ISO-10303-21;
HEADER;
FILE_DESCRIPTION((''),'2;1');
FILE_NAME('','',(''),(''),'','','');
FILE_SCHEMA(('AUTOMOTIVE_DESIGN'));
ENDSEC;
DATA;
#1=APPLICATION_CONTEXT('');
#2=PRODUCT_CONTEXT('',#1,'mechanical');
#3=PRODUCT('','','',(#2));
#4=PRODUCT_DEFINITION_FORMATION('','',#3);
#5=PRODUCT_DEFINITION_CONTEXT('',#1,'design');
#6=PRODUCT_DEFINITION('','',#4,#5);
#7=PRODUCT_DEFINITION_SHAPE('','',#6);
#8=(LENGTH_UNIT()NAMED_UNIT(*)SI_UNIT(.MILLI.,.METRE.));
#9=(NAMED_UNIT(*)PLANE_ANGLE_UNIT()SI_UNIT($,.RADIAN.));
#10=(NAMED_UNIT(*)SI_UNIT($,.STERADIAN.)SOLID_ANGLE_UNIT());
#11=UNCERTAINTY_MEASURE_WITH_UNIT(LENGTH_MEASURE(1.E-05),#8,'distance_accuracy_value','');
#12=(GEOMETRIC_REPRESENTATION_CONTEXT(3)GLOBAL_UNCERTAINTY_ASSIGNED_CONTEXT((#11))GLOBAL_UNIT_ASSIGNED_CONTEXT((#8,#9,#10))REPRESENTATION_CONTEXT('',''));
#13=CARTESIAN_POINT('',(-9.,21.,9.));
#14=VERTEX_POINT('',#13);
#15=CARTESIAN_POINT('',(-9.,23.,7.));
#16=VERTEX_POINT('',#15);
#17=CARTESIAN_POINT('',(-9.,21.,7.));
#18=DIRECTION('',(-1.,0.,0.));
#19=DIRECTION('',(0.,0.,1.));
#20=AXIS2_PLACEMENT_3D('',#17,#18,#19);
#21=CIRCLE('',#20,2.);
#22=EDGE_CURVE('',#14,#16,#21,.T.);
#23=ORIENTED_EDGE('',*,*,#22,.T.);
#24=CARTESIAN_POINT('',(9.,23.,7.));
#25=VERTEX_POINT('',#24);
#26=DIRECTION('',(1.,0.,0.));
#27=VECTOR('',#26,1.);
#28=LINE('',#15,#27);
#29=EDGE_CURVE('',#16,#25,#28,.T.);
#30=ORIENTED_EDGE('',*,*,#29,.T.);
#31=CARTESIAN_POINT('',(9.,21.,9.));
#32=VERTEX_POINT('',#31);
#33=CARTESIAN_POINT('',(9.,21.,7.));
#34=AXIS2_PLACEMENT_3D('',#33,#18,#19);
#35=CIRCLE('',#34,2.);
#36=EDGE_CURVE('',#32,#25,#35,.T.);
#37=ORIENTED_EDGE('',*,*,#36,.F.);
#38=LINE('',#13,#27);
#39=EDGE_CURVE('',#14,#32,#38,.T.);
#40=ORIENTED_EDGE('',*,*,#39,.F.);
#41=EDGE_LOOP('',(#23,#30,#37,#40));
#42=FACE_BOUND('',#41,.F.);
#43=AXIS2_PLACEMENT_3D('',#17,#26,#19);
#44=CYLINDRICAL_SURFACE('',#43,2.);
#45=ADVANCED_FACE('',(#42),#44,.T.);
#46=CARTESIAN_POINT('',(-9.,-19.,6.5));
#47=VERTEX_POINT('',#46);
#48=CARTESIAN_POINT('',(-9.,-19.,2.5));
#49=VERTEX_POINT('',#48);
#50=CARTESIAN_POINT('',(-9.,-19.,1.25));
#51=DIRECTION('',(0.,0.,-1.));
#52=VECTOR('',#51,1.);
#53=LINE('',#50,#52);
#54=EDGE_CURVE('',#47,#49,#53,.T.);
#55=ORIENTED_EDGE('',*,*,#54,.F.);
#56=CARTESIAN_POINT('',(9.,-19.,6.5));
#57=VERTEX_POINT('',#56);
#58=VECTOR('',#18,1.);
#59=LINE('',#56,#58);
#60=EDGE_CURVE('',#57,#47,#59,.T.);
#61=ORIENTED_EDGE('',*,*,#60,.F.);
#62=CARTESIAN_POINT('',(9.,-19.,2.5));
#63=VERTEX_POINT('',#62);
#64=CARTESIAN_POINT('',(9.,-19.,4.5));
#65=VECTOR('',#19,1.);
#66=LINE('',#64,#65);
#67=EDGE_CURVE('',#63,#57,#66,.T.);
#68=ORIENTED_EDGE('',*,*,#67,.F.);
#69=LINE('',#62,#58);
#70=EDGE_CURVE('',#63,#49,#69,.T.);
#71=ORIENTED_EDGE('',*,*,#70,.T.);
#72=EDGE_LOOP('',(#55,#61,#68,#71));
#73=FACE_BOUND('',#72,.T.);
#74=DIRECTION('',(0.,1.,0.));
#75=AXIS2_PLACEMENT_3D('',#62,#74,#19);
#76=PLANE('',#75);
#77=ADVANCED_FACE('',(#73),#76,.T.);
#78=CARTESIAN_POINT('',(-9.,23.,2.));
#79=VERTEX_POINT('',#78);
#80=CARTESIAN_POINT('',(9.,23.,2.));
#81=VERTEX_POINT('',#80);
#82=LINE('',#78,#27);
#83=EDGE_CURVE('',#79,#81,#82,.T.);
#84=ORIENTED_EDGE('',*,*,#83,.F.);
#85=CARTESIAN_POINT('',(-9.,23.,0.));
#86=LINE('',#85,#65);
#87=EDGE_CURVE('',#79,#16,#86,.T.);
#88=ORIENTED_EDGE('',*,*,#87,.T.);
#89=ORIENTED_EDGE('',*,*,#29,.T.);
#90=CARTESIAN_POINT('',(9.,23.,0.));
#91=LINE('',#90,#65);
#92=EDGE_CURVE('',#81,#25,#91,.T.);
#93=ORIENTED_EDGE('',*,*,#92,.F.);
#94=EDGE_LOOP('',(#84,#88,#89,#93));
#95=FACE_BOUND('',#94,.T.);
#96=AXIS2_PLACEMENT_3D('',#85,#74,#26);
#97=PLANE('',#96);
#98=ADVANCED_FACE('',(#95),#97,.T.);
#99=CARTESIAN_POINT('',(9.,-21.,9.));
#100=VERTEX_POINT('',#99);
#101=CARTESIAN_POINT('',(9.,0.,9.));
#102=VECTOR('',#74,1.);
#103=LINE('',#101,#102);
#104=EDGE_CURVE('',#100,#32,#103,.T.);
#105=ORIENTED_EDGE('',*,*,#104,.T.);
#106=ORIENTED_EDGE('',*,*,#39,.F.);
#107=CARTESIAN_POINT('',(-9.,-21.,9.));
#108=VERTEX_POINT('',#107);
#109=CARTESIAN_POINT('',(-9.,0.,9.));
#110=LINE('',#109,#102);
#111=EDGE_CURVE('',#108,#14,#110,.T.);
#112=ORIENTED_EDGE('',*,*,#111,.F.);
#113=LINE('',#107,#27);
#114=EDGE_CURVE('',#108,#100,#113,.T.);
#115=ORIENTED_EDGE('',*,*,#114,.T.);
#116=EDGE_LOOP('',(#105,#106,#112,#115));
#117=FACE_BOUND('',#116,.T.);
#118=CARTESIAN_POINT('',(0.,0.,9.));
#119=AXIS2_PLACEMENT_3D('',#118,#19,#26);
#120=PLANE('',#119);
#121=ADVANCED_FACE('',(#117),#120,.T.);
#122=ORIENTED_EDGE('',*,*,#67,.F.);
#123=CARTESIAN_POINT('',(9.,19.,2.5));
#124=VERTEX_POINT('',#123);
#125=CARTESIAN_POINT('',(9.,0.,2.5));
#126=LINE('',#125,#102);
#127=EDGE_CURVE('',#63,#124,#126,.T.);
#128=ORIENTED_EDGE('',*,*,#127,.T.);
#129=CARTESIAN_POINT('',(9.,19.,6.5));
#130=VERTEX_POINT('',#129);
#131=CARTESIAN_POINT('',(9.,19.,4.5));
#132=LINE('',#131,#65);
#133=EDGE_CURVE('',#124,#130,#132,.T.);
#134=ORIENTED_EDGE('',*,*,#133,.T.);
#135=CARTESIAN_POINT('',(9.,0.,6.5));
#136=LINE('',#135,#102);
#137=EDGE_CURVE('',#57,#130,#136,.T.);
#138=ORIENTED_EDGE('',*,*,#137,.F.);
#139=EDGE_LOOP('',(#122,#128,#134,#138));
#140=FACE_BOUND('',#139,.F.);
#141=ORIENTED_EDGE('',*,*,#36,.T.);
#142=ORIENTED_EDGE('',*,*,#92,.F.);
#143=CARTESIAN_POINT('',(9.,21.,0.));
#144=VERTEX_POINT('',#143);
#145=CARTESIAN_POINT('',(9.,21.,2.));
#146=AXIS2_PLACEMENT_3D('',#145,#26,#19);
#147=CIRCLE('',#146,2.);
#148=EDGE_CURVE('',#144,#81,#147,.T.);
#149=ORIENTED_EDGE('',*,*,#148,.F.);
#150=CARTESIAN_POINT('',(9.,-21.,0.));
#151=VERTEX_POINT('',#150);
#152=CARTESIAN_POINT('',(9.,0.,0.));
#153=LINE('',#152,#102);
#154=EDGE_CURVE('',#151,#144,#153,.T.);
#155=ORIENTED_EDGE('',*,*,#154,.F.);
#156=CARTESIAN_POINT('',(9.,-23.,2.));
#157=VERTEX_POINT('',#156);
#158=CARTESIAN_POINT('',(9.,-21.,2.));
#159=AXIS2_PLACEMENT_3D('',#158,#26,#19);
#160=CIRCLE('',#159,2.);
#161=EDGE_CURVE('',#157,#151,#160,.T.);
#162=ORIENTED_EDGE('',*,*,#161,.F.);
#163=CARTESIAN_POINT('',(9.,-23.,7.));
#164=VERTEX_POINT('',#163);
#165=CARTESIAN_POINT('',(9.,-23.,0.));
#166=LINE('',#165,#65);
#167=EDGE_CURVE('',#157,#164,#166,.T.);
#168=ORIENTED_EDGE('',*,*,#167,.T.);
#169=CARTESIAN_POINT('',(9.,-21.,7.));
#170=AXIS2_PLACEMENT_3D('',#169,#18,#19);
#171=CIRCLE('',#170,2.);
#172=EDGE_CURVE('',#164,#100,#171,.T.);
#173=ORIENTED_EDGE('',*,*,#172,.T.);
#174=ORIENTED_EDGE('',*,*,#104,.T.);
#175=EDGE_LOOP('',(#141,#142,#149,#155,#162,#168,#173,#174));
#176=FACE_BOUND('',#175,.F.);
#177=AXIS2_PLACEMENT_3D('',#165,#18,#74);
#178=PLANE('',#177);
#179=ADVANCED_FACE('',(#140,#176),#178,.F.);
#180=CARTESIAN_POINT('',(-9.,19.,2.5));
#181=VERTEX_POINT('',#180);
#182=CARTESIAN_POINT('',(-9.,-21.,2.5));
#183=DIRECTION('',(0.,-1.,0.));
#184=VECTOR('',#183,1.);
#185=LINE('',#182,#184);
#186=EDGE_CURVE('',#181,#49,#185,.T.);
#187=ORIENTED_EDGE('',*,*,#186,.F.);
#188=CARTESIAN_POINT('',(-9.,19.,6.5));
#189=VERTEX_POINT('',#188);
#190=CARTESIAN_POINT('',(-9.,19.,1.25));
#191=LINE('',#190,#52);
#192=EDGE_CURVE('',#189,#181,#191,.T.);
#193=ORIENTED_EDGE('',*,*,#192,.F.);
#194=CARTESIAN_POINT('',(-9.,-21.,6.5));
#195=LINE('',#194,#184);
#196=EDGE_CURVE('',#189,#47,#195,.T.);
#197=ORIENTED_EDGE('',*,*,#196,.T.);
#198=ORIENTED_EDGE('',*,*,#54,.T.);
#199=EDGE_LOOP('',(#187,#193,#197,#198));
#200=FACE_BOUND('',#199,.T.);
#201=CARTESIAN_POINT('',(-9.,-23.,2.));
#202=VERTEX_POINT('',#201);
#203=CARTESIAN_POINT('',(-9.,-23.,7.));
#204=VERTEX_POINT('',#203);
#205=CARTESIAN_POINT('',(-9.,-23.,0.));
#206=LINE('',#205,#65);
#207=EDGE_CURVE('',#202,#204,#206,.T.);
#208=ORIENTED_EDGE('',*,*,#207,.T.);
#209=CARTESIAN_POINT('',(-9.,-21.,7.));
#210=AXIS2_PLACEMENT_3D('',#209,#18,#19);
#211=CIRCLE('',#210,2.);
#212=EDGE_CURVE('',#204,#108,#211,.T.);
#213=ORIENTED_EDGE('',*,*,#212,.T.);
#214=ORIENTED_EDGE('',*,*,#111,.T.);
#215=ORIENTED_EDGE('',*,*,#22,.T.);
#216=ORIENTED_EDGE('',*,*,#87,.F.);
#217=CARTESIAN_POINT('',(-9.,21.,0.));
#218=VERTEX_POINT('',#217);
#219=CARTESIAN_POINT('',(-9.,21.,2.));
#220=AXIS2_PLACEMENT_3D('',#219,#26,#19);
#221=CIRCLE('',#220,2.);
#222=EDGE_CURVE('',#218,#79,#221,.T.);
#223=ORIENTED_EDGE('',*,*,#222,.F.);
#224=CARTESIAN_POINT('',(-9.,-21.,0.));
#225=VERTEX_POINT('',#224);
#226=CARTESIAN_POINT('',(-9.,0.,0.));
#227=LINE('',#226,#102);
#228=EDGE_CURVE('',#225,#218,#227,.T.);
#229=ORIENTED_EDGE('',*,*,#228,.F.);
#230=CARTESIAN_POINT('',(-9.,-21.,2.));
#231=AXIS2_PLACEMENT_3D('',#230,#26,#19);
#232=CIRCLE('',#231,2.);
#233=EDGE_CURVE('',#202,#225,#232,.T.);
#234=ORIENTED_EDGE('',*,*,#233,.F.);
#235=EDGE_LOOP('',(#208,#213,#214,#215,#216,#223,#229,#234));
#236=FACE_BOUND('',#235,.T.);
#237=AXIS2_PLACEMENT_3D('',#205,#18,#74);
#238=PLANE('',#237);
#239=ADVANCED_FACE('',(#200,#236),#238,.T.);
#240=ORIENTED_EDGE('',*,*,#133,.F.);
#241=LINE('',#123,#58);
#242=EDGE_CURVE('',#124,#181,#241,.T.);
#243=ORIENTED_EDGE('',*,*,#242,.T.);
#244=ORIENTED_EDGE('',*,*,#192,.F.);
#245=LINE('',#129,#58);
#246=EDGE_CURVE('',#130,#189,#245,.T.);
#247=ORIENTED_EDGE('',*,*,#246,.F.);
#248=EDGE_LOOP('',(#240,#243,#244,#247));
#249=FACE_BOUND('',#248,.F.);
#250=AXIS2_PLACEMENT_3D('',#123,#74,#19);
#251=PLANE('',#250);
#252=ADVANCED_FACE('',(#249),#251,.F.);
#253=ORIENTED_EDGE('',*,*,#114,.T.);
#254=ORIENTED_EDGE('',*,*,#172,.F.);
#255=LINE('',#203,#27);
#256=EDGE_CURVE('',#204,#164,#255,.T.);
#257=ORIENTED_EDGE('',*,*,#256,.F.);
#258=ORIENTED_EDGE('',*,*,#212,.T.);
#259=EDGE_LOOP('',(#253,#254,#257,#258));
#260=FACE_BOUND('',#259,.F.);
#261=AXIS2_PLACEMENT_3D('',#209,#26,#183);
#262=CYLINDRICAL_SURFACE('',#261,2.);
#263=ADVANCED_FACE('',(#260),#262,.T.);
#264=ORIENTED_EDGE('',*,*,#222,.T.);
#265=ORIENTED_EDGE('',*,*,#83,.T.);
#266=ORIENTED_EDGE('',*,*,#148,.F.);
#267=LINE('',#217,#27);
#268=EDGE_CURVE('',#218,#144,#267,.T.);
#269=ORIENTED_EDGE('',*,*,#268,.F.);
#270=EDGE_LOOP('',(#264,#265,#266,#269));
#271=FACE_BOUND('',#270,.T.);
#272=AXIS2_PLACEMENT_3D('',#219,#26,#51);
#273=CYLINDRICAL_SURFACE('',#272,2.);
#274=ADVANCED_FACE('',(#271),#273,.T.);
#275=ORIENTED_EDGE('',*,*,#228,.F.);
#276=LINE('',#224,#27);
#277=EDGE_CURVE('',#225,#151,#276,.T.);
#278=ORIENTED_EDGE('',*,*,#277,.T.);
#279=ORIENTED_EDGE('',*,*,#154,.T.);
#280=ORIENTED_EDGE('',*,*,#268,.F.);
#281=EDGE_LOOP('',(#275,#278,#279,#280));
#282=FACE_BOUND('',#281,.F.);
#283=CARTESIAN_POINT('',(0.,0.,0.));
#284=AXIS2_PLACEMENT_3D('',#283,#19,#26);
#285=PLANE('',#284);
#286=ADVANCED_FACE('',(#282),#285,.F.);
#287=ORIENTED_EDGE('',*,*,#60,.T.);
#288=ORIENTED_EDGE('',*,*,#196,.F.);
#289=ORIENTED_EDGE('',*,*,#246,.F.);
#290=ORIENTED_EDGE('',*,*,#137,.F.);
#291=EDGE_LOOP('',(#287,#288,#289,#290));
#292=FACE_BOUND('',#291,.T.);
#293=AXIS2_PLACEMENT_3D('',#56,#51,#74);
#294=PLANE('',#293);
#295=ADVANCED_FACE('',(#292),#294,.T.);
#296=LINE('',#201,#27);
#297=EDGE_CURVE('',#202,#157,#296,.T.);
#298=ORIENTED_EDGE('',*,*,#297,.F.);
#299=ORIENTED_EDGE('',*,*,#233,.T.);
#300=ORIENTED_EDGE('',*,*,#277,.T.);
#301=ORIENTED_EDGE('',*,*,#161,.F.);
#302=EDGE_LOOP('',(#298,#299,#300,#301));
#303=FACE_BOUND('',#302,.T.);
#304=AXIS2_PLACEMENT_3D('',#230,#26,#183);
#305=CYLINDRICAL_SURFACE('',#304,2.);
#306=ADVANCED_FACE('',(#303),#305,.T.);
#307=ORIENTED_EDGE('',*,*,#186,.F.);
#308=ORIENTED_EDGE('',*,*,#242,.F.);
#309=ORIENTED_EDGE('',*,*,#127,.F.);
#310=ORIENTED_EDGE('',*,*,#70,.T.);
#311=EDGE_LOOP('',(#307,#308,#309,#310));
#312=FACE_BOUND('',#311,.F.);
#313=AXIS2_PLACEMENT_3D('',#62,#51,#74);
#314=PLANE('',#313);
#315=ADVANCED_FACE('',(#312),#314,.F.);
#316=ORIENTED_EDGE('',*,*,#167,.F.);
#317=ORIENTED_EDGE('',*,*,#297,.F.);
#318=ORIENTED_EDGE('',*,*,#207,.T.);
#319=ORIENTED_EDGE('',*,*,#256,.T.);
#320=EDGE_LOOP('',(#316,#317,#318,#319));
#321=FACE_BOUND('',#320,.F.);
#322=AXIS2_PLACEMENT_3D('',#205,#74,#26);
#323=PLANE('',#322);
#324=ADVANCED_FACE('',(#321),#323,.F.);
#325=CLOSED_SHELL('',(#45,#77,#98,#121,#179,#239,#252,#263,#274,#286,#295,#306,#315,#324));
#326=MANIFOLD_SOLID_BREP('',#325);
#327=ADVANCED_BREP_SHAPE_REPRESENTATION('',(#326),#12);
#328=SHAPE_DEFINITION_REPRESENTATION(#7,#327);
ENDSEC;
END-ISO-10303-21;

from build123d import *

# Parameters (mm, degrees)
F0_W     = 18
F0_H     = 46
F1_DEPTH = 9
F2_W     = 38
F2_H     = 4
F3_DEPTH = 18.001
F4_R     = 2


with BuildPart() as f1:
    # F0 (on Top) → F1 (new body)
    with BuildSketch(Plane.XY):
        Rectangle(F0_W, F0_H)
    extrude(amount=F1_DEPTH)

    # F2 (on face) → F3 (cut, through all)
    with BuildSketch(Plane.YZ.offset(9)):
        with Locations((0, 4.5)):
            Rectangle(F2_W, F2_H)
    extrude(amount=-F3_DEPTH, mode=Mode.SUBTRACT)

    # F4
    f4_edges = [f1.edges().sort_by_distance(p)[0] for p in [
        (0, -23, 9),
        (0, -23, 0),
        (0, 23, 9),
        (0, 23, 0),
    ]]
    fillet(f4_edges, radius=F4_R)


solid = f1.part
